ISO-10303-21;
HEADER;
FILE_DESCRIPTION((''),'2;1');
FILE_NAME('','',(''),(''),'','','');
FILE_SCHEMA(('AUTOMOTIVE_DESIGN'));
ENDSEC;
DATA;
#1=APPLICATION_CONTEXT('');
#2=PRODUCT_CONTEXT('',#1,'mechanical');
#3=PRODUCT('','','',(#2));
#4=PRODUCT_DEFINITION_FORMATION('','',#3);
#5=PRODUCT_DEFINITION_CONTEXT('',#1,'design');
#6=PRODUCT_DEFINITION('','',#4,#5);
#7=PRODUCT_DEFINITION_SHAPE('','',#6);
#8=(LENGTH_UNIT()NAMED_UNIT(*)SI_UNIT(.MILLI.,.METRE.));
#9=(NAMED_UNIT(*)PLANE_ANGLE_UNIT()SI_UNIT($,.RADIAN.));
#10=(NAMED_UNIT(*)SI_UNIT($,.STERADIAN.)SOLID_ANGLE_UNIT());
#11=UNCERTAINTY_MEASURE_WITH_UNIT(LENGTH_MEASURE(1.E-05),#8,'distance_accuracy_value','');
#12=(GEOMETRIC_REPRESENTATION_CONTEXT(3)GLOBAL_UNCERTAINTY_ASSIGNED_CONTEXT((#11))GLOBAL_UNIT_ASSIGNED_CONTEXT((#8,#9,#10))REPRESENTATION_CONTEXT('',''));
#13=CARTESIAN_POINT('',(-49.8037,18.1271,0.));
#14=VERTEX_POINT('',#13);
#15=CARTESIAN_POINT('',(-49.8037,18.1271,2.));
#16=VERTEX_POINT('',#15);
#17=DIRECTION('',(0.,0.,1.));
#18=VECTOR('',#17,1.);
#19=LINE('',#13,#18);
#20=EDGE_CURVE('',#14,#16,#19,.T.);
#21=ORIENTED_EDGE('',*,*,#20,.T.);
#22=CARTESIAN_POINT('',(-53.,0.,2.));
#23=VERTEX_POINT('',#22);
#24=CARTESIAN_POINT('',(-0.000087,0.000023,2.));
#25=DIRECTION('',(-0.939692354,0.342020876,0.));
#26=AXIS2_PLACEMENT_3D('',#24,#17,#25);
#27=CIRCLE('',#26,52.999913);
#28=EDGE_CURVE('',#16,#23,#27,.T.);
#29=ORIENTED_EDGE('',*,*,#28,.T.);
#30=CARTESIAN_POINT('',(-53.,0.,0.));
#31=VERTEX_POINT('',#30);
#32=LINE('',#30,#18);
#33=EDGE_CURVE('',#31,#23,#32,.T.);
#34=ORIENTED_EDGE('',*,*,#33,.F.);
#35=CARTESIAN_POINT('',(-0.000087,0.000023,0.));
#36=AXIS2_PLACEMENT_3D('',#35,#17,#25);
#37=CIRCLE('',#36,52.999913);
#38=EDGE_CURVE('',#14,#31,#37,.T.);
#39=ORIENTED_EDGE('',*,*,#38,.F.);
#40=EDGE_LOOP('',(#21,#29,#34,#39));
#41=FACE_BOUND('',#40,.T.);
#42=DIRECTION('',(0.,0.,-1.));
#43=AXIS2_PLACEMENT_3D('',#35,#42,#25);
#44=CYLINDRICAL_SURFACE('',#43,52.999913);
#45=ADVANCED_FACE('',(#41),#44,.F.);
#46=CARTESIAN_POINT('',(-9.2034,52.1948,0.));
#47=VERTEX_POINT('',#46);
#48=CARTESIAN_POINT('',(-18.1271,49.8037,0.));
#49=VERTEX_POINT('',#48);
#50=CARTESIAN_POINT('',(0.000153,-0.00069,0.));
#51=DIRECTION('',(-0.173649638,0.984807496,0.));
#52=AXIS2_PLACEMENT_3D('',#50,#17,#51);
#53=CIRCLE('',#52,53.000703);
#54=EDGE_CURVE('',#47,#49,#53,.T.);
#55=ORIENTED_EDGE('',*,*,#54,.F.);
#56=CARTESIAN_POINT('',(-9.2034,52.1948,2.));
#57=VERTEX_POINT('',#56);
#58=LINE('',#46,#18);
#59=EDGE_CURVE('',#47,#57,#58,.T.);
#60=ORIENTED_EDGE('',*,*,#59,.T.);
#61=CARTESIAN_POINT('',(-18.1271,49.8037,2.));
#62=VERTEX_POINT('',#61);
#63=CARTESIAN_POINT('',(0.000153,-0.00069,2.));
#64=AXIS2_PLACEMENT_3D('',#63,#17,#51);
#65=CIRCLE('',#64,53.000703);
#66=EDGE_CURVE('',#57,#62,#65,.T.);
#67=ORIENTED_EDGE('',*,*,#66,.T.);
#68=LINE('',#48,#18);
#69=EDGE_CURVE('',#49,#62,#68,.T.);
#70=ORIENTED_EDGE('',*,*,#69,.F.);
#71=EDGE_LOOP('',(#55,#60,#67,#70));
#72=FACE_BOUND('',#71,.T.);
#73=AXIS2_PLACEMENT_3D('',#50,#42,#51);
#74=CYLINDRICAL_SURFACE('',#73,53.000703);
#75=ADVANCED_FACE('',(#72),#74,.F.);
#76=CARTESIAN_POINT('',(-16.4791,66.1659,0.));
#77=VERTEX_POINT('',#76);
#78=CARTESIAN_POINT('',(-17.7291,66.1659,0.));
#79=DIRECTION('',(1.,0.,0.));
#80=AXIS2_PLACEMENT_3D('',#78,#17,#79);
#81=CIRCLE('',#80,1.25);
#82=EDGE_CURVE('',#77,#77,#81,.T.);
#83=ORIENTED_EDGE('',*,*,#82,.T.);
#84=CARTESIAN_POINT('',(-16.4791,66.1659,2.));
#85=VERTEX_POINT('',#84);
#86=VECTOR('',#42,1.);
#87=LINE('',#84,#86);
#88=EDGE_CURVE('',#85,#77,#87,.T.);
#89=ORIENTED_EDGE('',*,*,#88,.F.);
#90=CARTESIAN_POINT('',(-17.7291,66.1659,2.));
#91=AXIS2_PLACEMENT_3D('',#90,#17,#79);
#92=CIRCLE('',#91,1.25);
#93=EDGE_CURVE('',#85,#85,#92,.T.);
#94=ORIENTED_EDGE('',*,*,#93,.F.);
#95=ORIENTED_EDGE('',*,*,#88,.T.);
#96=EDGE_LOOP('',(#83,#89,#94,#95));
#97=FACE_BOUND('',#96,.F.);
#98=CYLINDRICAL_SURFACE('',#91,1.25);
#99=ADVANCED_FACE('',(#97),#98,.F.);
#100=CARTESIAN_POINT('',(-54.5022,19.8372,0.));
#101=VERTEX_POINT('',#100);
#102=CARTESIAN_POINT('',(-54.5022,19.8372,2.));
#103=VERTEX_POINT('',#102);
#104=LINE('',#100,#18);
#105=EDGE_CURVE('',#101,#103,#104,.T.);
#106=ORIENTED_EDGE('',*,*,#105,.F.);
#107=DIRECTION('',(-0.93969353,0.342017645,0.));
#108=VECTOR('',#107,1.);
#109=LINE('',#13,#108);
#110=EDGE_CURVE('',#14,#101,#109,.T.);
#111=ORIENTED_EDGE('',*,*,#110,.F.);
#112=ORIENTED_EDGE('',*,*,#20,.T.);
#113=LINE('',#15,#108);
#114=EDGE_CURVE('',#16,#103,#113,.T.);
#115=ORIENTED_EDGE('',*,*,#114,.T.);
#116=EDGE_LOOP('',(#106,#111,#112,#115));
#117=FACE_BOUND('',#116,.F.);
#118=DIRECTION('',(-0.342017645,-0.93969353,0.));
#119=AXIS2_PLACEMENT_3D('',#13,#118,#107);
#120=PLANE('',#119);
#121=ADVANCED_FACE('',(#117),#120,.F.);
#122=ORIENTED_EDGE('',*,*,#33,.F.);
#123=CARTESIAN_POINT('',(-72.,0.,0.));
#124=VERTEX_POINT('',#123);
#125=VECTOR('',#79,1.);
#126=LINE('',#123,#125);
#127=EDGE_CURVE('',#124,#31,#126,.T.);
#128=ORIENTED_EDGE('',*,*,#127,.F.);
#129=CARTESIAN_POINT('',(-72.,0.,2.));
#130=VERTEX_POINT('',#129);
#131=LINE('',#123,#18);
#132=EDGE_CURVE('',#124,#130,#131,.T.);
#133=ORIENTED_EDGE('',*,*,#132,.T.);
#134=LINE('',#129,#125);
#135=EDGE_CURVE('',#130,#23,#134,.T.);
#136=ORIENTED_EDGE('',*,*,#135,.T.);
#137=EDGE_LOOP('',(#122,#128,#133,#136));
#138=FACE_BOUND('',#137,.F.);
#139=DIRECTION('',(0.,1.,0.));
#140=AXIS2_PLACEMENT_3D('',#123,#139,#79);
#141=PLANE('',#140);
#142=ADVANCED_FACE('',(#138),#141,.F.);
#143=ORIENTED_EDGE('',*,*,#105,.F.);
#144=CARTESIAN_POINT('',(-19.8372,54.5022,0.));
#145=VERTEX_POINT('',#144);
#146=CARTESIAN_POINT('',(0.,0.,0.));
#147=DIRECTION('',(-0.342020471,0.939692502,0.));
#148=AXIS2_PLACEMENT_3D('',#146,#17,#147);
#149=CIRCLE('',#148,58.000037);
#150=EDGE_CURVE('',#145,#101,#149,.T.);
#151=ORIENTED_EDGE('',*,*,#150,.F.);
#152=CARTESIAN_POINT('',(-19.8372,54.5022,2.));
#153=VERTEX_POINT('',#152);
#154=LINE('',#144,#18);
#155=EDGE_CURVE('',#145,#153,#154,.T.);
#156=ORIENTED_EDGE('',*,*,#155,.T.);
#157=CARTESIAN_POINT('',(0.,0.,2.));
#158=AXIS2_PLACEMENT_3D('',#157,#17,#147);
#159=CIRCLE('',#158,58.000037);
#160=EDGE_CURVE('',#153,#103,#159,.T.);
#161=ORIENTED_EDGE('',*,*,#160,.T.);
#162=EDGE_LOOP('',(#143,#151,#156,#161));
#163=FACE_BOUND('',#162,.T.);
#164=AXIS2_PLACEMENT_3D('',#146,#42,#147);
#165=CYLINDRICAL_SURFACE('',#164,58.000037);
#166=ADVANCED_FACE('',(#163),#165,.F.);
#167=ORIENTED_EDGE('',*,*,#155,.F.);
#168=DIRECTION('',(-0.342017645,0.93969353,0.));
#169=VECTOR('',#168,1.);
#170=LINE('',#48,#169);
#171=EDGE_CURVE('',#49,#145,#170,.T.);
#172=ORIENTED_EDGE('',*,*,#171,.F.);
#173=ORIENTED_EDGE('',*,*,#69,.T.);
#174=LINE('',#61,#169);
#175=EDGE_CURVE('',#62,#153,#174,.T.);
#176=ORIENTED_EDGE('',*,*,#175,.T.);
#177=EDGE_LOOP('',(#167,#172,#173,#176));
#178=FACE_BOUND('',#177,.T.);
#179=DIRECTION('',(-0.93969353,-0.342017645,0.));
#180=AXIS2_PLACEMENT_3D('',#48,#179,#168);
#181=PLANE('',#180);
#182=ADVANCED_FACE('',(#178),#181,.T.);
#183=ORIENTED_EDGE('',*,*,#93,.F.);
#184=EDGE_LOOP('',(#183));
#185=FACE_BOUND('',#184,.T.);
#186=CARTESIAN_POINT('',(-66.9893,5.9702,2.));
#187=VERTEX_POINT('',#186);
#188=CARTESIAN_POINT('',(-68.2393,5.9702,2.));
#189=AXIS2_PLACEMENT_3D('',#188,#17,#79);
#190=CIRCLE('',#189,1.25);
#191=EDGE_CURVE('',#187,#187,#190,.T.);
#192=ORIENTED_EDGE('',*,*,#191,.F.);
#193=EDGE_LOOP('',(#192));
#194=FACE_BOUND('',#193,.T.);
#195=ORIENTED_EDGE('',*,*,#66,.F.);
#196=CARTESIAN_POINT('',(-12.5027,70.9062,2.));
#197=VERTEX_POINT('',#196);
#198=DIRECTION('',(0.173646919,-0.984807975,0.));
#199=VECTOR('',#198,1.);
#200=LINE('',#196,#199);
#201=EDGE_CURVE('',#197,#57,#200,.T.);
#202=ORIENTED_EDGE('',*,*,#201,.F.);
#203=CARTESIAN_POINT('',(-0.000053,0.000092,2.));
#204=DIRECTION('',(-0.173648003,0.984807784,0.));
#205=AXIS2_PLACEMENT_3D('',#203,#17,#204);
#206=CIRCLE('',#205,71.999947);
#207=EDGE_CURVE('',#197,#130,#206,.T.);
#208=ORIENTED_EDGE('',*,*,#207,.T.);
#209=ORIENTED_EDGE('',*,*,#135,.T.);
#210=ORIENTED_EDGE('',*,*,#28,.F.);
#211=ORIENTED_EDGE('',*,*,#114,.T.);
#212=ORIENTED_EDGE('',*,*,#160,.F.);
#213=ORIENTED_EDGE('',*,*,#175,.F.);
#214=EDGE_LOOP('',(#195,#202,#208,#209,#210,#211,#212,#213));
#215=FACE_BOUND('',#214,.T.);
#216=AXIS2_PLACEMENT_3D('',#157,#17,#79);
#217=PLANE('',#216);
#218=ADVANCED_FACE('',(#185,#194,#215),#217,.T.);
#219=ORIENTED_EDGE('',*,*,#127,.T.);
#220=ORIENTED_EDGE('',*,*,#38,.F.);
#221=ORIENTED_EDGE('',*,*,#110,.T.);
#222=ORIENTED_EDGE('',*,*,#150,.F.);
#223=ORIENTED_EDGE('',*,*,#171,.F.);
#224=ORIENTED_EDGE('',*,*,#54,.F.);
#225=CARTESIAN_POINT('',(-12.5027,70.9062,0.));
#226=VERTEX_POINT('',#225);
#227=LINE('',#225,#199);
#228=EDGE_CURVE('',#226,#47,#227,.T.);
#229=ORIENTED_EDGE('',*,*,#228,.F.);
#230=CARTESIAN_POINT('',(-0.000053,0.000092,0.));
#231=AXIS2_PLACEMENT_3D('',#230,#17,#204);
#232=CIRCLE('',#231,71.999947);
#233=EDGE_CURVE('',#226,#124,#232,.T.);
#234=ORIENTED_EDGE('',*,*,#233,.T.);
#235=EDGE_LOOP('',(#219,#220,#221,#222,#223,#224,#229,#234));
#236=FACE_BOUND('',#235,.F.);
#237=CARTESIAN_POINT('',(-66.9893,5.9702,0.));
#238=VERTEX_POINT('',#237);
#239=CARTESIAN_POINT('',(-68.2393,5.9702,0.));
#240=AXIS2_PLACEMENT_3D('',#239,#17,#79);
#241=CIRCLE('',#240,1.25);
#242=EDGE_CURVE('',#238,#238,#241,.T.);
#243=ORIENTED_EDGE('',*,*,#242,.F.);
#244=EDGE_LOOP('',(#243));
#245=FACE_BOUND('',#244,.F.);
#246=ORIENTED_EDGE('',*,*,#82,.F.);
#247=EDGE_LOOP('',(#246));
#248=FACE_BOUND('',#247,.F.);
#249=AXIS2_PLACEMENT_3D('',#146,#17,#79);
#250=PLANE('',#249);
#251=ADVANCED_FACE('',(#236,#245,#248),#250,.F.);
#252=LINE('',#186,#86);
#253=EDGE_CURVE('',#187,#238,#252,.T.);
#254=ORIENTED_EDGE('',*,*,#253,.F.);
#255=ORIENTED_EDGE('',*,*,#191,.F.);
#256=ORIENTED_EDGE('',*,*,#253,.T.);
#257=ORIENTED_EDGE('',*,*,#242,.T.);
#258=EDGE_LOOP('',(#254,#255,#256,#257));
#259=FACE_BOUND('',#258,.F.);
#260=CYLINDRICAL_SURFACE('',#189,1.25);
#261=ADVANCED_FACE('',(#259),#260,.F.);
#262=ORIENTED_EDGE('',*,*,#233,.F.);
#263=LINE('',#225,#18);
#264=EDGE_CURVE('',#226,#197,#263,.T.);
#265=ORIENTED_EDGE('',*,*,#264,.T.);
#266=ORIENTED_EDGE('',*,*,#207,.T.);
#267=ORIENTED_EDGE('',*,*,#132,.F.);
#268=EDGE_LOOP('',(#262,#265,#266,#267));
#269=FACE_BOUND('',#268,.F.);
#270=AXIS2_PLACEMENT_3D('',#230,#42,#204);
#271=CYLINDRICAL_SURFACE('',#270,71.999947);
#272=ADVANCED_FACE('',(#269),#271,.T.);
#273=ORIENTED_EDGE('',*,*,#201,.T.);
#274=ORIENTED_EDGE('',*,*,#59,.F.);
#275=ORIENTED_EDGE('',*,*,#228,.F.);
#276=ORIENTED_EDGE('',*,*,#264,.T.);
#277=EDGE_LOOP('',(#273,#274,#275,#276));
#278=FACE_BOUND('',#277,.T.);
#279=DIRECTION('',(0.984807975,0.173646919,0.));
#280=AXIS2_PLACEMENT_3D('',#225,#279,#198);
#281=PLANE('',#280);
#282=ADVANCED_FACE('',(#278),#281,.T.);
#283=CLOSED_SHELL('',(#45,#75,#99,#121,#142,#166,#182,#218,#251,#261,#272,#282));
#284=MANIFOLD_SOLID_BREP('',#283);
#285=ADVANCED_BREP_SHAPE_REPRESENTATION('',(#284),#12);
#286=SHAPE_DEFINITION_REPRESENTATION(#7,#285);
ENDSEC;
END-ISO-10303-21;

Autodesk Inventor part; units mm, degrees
ref_plane "YZ Plane" through (0, 0, 0) normal (1, 0, 0) x (0, 1, 0)
ref_plane "XZ Plane" through (0, 0, 0) normal (0, 1, 0) x (-1, 0, 0)
ref_plane "XY Plane" through (0, 0, 0) normal (0, 0, 1) x (1, 0, 0)
sketch "Sketch1" plane through (0, 0, 0) normal (0, 0, 1) x (1, 0, 0)
  arc A0 (-12.5027, 70.9062) -> (-72, 0) centre (0, 0) ccw
  line L0 (0, 0) -> (-12.5027, 70.9062) construction
  line L1 (0, 0) -> (-72, 0) construction
  arc A1 (-49.8037, 18.1271) -> (-53, 0) centre (0, 0) ccw
  line L2 (0, 0) -> (-49.8037, 18.1271) construction
  line L3 (0, 0) -> (-53, 0) construction
  arc A2 (-9.2034, 52.1948) -> (-18.1271, 49.8037) centre (0, 0) ccw
  line L4 (0, 0) -> (-18.1271, 49.8037) construction
  line L5 (0, 0) -> (-9.2034, 52.1948) construction
  arc A3 (-19.8372, 54.5022) -> (-54.5022, 19.8372) centre (0, 0) ccw
  line L6 (0, 0) -> (-19.8372, 54.5022) construction
  line L7 (0, 0) -> (-54.5022, 19.8372) construction
  line L8 (-72, 0) -> (-53, 0)
  line L9 (-12.5027, 70.9062) -> (-9.2034, 52.1948)
  line L10 (-49.8037, 18.1271) -> (-54.5022, 19.8372)
  line L11 (-18.1271, 49.8037) -> (-19.8372, 54.5022)
  dimension "d0" = 80
  dimension "d1" = 72
  dimension "d2" = 20
  dimension "d3" = 10
  dimension "d4" = 50
  dimension "d5" = 53
  dimension "d6" = 53
  dimension "d7" = 58
extrude "Extrusion1" add sketch "Sketch1" along normal blind 2
sketch "Sketch2" plane through (0, 0, 2) normal (0, 0, 1) x (1, 0, 0)
  arc A0 (-12.5027, 70.9062) -> (-72, 0) centre (0, 0) ccw projected
  arc A1 (-49.8037, 18.1271) -> (-53, 0) centre (0, 0) ccw projected
  arc A2 (-19.8372, 54.5022) -> (-54.5022, 19.8372) centre (0, 0) ccw projected
  arc A3 (-9.2034, 52.1948) -> (-18.1271, 49.8037) centre (0, 0) ccw projected
  circle A4 centre (-68.2393, 5.9702) radius 1.25
  circle A5 centre (-17.7291, 66.1659) radius 1.25
  line L0 (-72, 0) -> (-53, 0) projected
  line L1 (-49.8037, 18.1271) -> (-54.5022, 19.8372) projected
  line L2 (-19.8372, 54.5022) -> (-18.1271, 49.8037) projected
  line L3 (-9.2034, 52.1948) -> (-12.5027, 70.9062) projected
  line L4 (-68.2393, 5.9702) -> (0, 0) construction
  line L5 (0, 0) -> (-17.7291, 66.1659) construction
  dimension "d10" = 2.5
  dimension "d11" = 2.5
  dimension "d12" = 5
  dimension "d13" = 5
  dimension "d14" = 70
  dimension "d15" = 72
  dimension "d16" = 68.5
  dimension "d17" = 68.5
extrude "Extrusion2" cut sketch "Sketch2" against normal up to next contours A4 | A5
properties part number "Ring Cover"
